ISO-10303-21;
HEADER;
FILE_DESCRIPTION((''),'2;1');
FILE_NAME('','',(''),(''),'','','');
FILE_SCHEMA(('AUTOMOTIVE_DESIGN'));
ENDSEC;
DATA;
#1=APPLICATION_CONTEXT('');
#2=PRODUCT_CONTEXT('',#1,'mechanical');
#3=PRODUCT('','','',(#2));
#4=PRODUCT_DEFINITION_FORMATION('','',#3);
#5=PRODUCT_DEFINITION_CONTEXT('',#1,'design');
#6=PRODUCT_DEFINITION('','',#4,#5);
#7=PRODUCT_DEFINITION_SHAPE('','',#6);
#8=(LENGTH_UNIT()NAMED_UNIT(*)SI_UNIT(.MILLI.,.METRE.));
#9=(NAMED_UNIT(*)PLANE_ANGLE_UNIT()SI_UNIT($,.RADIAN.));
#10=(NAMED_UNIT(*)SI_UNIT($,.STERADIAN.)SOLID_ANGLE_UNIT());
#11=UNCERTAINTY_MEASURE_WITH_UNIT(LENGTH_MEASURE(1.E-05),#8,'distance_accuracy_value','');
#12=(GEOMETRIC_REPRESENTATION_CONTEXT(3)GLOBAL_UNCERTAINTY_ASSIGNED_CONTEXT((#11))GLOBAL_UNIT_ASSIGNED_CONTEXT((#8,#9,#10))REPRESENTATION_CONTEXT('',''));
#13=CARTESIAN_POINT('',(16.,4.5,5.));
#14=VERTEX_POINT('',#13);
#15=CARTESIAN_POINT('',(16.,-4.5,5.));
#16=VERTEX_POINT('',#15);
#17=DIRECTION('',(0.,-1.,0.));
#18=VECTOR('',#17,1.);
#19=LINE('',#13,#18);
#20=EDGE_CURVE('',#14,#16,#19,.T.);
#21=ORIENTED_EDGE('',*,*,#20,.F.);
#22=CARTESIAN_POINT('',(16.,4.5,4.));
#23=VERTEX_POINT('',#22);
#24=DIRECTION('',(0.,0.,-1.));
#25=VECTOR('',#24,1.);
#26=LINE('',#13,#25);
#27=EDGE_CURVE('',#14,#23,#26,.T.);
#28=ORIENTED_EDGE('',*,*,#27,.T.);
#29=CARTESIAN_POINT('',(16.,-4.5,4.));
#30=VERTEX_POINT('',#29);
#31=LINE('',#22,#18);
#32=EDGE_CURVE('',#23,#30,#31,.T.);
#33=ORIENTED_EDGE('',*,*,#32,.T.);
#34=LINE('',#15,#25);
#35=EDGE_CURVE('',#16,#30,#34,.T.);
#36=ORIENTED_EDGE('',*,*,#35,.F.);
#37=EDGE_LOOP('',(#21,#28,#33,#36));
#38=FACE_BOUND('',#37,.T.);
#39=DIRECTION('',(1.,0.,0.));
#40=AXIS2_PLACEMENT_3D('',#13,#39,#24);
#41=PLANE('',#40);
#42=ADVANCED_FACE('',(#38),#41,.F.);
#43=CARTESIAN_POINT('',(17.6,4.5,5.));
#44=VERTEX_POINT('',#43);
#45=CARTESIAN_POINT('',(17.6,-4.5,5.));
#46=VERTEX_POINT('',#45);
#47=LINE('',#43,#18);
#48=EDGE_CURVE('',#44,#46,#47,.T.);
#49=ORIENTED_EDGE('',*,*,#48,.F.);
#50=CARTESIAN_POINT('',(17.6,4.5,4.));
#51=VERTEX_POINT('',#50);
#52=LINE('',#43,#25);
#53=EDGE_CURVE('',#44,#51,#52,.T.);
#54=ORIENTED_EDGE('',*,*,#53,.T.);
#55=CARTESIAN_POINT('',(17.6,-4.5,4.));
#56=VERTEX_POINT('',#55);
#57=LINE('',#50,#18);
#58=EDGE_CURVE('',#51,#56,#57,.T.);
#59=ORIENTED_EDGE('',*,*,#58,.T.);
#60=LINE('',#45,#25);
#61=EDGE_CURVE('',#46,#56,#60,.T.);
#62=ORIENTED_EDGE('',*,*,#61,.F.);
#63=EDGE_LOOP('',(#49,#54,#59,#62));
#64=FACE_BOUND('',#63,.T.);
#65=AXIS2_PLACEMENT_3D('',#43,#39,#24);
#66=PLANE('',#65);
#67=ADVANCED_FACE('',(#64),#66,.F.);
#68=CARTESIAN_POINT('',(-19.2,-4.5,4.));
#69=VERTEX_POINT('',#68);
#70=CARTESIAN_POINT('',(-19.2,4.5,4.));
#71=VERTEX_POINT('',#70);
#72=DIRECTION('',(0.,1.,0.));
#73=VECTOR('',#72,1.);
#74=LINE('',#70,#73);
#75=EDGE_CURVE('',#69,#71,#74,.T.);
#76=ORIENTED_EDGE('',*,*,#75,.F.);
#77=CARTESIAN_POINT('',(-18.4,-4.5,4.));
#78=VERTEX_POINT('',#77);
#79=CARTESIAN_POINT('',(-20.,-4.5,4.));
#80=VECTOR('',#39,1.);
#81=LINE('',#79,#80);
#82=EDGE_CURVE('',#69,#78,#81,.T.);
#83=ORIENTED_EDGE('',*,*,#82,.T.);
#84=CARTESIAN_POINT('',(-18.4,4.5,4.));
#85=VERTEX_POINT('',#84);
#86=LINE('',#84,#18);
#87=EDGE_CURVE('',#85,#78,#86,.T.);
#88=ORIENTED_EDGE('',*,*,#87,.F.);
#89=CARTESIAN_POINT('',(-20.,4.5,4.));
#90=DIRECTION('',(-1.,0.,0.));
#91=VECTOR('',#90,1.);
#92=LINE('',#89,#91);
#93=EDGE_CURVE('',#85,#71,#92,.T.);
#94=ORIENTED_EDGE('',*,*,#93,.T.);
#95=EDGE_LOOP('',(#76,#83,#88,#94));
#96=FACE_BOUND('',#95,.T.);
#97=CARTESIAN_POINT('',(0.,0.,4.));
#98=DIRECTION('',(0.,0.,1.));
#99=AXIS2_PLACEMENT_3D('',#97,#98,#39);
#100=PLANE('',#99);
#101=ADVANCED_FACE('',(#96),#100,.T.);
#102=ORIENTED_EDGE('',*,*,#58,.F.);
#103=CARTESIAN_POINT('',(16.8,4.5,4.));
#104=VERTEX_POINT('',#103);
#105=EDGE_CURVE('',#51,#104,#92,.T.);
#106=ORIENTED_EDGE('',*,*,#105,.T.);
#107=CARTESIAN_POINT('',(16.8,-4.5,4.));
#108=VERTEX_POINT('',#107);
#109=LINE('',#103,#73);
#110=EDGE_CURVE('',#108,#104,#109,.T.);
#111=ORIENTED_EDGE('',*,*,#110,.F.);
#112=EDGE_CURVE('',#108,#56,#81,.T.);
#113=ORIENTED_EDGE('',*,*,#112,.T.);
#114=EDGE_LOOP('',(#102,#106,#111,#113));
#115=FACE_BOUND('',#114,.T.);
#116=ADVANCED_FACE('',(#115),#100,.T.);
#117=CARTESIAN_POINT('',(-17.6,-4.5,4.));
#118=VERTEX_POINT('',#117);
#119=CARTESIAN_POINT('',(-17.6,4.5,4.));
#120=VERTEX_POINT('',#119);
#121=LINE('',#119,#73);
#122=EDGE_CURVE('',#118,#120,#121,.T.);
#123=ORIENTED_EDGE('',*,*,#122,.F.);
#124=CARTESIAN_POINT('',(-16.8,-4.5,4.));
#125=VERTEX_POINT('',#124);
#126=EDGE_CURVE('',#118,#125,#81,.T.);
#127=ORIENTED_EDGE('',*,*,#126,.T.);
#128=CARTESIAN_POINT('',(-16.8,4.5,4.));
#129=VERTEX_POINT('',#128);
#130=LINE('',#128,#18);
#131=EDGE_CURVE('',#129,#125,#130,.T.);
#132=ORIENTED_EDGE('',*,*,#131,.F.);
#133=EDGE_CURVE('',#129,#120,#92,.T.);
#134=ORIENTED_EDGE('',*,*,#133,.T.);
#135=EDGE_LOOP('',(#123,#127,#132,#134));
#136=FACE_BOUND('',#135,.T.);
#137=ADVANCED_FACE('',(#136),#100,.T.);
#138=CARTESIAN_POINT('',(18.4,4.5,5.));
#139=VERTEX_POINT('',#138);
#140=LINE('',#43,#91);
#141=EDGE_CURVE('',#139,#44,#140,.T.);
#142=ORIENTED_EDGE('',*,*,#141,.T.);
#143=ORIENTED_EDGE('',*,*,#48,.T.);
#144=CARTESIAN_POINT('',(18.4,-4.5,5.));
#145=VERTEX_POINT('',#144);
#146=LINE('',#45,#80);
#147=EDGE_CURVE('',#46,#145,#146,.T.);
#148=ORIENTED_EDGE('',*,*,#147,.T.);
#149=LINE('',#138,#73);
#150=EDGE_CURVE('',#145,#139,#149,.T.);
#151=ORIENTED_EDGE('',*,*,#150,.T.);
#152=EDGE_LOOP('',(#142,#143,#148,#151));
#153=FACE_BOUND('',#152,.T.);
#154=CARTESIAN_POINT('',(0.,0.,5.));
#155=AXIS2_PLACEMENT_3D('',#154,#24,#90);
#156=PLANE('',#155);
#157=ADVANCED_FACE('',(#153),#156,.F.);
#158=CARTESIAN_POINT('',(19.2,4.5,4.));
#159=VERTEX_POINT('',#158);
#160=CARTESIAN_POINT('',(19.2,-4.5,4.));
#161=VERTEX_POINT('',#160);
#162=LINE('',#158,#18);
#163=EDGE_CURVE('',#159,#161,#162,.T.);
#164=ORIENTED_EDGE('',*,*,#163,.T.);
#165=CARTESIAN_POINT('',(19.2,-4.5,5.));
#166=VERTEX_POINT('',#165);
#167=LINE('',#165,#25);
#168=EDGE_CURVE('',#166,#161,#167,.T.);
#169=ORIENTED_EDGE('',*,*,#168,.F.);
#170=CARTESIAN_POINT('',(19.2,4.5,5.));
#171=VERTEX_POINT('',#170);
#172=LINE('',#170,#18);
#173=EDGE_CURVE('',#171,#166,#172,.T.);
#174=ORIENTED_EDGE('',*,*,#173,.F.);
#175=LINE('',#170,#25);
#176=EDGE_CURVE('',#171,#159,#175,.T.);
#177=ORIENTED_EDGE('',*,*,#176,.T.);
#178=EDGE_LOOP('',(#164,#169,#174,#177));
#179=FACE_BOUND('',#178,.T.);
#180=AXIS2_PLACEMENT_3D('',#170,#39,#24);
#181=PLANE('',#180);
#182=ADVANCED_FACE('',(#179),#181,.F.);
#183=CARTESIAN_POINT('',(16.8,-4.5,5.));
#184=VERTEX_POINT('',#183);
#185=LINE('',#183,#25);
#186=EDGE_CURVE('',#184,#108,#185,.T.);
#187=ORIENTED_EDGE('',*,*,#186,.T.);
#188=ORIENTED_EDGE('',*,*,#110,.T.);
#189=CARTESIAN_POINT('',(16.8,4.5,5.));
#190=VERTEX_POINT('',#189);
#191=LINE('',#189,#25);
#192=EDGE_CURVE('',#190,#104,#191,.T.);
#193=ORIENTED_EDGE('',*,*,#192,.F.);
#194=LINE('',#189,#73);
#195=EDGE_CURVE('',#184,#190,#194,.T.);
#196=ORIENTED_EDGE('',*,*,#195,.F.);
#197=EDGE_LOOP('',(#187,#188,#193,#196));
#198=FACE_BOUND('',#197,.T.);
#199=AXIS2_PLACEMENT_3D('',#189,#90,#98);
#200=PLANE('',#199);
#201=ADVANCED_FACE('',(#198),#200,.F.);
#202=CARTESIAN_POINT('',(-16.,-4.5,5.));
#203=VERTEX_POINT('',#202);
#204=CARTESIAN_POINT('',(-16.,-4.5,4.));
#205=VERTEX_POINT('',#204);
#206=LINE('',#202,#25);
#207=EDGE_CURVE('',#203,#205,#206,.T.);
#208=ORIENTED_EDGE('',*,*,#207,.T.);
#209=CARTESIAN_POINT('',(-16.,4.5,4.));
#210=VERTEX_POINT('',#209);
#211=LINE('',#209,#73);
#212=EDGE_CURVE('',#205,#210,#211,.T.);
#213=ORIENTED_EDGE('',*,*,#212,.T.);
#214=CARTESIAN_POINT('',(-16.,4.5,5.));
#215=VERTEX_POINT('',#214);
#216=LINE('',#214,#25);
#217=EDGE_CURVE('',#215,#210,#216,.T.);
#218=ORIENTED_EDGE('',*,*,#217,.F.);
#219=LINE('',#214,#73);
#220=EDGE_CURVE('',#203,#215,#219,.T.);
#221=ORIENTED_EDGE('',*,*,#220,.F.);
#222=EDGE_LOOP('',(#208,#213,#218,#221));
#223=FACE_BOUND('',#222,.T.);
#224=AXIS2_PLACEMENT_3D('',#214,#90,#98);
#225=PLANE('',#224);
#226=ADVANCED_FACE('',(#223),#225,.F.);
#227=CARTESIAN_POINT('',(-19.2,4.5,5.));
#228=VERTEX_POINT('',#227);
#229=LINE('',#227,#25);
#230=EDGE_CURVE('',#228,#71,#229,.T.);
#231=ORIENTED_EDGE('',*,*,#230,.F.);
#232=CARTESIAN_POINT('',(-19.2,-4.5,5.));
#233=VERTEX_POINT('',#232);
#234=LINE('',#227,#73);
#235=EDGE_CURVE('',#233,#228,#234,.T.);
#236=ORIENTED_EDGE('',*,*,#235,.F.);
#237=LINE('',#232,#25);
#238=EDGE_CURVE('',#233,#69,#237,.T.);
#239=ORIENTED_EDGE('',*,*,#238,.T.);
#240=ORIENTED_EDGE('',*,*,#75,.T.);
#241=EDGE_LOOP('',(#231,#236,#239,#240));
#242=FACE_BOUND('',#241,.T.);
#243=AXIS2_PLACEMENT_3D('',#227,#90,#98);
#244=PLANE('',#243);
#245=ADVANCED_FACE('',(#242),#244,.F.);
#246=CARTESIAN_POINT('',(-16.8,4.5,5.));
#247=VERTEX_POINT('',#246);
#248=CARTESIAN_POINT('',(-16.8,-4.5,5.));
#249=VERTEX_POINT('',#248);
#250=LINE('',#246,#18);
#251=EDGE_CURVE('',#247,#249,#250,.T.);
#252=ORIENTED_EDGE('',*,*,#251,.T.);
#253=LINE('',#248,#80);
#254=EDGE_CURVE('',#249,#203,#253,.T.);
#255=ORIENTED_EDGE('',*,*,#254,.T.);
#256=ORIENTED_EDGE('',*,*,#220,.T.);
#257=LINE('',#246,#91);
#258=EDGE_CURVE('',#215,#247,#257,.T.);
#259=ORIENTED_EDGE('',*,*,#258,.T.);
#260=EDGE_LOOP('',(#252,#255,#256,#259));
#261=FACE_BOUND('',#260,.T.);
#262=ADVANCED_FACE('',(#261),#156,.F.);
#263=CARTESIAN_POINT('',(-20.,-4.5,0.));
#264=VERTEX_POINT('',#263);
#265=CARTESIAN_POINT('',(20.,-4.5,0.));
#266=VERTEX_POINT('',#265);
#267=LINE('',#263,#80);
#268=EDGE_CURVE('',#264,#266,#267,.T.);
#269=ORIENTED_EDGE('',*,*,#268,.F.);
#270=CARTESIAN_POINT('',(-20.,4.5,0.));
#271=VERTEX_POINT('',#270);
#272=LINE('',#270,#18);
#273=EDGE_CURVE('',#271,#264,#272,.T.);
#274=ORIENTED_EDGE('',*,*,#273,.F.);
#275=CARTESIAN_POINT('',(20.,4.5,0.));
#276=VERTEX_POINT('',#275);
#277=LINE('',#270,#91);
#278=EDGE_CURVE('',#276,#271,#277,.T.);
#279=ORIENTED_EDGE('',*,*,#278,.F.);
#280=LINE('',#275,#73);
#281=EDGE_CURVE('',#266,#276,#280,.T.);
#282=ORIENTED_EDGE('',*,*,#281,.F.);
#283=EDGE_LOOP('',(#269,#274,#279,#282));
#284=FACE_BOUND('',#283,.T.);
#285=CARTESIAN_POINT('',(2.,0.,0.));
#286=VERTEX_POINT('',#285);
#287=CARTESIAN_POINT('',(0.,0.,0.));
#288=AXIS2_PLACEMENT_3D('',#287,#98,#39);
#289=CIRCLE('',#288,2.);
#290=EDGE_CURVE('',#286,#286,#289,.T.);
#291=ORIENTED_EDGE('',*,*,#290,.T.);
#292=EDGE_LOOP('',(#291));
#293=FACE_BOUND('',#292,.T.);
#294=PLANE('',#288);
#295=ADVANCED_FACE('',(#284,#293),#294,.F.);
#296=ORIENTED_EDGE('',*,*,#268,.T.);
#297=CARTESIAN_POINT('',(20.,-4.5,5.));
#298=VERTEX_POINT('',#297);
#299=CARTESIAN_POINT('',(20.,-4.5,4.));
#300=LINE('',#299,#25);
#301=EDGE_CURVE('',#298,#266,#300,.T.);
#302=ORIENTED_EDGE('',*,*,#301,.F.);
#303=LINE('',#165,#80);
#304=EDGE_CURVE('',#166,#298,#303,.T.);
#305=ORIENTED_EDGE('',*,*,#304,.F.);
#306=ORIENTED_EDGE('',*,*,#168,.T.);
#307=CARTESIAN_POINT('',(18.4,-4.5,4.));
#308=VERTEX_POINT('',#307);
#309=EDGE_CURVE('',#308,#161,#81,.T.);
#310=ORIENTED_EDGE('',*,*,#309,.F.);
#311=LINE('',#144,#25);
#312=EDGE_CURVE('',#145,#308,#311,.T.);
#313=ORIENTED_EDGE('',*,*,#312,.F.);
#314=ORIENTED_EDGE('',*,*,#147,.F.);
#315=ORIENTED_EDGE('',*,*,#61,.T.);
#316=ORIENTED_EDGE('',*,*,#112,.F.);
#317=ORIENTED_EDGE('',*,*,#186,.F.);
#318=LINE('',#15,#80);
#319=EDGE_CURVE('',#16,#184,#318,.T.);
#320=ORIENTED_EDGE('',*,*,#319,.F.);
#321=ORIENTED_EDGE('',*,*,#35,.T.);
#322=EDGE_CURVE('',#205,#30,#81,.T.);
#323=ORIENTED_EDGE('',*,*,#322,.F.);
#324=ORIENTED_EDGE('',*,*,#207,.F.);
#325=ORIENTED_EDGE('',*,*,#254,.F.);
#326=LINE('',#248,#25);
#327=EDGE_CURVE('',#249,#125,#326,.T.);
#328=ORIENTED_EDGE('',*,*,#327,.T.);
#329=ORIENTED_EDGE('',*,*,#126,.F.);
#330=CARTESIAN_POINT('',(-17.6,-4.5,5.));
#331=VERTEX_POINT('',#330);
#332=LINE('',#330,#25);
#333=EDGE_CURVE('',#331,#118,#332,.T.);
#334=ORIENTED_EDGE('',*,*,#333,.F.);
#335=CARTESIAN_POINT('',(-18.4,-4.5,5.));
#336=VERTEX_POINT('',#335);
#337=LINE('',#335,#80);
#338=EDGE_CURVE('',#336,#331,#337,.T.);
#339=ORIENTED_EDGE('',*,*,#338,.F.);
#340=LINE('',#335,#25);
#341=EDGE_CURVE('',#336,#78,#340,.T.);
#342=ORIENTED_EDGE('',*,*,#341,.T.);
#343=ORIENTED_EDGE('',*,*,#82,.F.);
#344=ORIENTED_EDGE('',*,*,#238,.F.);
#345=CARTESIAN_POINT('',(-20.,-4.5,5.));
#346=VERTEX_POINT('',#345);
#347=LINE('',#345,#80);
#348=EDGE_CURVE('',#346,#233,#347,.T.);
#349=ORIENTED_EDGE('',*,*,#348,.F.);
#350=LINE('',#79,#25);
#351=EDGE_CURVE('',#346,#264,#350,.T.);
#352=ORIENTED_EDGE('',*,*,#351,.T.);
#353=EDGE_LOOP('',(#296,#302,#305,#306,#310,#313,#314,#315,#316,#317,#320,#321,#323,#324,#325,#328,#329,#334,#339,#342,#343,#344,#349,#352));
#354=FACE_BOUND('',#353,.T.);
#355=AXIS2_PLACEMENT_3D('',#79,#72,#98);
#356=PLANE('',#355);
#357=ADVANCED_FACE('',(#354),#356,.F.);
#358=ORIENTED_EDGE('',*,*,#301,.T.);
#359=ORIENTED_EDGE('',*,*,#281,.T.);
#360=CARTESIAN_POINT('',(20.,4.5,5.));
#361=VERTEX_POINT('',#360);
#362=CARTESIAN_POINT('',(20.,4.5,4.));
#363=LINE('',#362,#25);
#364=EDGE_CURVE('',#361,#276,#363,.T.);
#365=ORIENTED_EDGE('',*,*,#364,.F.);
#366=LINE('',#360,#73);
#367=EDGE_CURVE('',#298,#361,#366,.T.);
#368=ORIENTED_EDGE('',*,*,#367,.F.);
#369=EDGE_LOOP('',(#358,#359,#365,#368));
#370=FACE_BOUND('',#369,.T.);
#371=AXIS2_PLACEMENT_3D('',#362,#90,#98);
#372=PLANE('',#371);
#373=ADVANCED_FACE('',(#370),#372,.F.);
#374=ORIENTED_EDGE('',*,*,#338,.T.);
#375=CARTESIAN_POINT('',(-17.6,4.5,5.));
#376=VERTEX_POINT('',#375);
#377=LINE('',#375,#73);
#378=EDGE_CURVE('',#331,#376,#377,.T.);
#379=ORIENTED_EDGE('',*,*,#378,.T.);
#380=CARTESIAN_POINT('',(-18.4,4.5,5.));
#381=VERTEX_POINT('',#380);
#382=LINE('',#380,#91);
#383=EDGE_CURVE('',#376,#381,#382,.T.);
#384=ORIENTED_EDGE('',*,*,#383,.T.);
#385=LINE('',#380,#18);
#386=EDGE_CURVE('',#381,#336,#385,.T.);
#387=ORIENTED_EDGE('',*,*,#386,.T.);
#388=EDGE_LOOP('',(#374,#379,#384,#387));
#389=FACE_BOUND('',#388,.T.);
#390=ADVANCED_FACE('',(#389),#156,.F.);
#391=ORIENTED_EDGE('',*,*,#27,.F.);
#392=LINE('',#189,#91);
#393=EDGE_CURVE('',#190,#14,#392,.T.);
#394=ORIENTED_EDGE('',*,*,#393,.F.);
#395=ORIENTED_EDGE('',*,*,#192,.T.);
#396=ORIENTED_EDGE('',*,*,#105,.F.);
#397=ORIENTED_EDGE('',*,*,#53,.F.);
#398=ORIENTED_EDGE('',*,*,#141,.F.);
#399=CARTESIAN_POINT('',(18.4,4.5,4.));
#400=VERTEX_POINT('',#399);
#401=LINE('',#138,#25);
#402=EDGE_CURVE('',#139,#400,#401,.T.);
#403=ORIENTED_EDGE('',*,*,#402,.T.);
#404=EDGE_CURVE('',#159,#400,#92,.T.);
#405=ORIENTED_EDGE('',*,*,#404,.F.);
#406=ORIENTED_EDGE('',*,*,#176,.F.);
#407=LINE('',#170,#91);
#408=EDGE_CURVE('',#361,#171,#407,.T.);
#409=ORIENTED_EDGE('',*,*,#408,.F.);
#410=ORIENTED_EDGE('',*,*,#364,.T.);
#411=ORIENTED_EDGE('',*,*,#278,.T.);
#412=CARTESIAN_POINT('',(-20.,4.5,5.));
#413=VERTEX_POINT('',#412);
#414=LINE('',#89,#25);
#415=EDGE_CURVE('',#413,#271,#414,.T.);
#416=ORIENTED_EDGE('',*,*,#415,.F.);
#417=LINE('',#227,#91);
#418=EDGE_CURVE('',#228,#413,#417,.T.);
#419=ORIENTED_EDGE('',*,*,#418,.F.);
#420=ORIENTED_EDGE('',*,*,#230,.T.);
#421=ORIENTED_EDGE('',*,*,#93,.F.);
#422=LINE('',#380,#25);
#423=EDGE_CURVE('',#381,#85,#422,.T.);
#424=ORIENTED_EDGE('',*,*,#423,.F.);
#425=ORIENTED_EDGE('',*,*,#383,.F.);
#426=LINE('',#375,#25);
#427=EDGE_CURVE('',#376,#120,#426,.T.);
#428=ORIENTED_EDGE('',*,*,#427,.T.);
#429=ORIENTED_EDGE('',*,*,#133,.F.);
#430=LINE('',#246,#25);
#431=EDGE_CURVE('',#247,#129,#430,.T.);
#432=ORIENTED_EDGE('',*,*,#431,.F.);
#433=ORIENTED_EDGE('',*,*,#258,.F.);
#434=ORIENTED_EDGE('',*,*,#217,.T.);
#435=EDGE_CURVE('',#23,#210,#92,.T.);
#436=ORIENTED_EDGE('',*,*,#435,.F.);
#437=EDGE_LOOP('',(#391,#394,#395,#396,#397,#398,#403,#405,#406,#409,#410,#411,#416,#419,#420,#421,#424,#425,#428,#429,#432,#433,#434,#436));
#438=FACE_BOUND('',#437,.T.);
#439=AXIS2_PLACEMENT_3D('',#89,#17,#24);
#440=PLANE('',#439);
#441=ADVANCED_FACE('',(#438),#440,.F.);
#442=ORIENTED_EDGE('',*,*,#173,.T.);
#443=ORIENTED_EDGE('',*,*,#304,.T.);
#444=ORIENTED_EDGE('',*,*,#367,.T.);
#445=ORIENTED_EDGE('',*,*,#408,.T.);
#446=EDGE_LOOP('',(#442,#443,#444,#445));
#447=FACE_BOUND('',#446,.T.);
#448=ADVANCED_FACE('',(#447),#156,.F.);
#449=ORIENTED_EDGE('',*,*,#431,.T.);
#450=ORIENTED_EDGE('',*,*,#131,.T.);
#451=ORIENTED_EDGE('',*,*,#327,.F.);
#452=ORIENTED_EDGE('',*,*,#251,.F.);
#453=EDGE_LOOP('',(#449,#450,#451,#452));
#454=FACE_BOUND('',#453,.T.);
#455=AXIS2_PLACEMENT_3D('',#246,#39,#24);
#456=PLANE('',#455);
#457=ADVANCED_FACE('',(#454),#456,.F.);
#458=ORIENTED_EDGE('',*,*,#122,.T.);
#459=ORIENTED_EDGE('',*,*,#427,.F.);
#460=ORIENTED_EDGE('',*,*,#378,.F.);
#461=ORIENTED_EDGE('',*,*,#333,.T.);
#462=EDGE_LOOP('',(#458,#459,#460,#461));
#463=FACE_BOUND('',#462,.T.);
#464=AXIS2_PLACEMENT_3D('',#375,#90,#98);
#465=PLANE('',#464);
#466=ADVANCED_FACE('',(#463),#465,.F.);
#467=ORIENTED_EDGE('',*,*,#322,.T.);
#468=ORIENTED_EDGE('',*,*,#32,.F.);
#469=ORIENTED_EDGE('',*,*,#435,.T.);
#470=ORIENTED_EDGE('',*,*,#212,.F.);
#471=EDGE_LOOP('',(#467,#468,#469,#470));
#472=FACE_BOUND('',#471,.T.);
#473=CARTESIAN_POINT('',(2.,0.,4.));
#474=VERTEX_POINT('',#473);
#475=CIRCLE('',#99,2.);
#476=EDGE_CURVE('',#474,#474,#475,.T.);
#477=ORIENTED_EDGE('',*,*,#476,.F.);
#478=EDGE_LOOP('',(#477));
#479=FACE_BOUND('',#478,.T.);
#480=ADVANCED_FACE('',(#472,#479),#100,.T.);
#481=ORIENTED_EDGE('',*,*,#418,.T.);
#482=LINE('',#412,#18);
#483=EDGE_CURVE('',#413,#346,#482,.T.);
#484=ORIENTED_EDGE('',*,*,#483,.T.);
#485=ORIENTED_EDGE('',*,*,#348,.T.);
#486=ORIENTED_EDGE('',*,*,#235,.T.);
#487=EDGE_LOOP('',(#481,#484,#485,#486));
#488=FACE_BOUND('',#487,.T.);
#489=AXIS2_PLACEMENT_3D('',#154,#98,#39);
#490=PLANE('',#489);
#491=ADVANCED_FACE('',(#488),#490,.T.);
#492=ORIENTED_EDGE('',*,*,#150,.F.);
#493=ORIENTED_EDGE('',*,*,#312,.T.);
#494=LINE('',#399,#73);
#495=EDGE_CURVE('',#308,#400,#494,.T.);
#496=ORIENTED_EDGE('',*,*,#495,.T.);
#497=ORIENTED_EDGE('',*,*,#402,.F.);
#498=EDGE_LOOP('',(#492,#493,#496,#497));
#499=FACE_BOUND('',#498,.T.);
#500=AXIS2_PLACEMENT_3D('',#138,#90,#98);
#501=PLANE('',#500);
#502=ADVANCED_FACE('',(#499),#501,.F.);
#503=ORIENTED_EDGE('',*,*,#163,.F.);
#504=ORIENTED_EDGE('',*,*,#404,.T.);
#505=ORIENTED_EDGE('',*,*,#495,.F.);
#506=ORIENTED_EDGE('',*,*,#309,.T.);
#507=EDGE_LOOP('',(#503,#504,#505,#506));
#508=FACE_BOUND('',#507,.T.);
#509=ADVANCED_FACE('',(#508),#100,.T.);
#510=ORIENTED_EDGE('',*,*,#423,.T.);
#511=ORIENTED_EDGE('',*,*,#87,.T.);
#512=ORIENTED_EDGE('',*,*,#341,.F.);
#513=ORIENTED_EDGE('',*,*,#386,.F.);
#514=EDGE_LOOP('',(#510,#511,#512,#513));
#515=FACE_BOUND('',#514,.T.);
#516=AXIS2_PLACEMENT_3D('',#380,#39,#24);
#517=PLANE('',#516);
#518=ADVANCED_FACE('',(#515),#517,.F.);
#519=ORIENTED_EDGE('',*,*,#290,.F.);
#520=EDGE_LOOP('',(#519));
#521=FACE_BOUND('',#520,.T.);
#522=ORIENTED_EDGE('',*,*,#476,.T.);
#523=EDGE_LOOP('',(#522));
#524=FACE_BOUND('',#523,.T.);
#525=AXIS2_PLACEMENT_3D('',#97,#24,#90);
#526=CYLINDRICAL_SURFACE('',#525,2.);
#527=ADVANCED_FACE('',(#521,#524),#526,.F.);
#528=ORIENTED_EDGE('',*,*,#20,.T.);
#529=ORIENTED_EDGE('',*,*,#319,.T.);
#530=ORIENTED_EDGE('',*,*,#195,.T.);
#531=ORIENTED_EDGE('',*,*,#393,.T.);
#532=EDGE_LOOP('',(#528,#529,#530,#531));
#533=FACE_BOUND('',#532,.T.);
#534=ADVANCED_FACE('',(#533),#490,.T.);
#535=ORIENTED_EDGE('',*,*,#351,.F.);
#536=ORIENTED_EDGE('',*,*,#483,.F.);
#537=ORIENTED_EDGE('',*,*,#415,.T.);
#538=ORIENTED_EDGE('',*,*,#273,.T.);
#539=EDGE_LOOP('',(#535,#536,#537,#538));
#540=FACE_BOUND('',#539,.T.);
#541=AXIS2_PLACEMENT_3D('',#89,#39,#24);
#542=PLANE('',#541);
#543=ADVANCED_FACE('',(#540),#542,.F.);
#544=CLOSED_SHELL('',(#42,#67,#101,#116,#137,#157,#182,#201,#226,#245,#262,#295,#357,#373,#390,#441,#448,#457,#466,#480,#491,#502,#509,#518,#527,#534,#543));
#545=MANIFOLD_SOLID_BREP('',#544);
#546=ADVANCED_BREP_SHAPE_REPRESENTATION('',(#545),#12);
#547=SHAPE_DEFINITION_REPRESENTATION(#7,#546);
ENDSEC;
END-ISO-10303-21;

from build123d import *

# Parameters (mm, degrees)
SKETCH_1_W      = 40
SKETCH_1_H      = 9
SKETCH_1_R      = 2
EXTRUDE_1_DEPTH = 4
SKETCH_2_W      = 0.8
SKETCH_2_H      = 9
EXTRUDE_2_DEPTH = 1


with BuildPart() as part:
    # 草图1 → 凸台-拉伸1 (new body)
    with BuildSketch(Plane.XY):
        Rectangle(SKETCH_1_W, SKETCH_1_H)
        Circle(SKETCH_1_R, mode=Mode.SUBTRACT)
    extrude(amount=EXTRUDE_1_DEPTH)

    # 草图2 → 凸台-拉伸2 (add)
    with BuildSketch(Plane.XY.offset(4)):
        with Locations((-19.6, 0)):
            Rectangle(SKETCH_2_W, SKETCH_2_H)
        with Locations((-18, 0)):
            Rectangle(SKETCH_2_W, SKETCH_2_H)
        with Locations((-16.4, 0)):
            Rectangle(SKETCH_2_W, SKETCH_2_H)
        with Locations((16.4, 0)):
            Rectangle(SKETCH_2_W, SKETCH_2_H)
        with Locations((18, 0)):
            Rectangle(SKETCH_2_W, SKETCH_2_H)
        with Locations((19.6, 0)):
            Rectangle(SKETCH_2_W, SKETCH_2_H)
    extrude(amount=EXTRUDE_2_DEPTH)


solid = part.part
